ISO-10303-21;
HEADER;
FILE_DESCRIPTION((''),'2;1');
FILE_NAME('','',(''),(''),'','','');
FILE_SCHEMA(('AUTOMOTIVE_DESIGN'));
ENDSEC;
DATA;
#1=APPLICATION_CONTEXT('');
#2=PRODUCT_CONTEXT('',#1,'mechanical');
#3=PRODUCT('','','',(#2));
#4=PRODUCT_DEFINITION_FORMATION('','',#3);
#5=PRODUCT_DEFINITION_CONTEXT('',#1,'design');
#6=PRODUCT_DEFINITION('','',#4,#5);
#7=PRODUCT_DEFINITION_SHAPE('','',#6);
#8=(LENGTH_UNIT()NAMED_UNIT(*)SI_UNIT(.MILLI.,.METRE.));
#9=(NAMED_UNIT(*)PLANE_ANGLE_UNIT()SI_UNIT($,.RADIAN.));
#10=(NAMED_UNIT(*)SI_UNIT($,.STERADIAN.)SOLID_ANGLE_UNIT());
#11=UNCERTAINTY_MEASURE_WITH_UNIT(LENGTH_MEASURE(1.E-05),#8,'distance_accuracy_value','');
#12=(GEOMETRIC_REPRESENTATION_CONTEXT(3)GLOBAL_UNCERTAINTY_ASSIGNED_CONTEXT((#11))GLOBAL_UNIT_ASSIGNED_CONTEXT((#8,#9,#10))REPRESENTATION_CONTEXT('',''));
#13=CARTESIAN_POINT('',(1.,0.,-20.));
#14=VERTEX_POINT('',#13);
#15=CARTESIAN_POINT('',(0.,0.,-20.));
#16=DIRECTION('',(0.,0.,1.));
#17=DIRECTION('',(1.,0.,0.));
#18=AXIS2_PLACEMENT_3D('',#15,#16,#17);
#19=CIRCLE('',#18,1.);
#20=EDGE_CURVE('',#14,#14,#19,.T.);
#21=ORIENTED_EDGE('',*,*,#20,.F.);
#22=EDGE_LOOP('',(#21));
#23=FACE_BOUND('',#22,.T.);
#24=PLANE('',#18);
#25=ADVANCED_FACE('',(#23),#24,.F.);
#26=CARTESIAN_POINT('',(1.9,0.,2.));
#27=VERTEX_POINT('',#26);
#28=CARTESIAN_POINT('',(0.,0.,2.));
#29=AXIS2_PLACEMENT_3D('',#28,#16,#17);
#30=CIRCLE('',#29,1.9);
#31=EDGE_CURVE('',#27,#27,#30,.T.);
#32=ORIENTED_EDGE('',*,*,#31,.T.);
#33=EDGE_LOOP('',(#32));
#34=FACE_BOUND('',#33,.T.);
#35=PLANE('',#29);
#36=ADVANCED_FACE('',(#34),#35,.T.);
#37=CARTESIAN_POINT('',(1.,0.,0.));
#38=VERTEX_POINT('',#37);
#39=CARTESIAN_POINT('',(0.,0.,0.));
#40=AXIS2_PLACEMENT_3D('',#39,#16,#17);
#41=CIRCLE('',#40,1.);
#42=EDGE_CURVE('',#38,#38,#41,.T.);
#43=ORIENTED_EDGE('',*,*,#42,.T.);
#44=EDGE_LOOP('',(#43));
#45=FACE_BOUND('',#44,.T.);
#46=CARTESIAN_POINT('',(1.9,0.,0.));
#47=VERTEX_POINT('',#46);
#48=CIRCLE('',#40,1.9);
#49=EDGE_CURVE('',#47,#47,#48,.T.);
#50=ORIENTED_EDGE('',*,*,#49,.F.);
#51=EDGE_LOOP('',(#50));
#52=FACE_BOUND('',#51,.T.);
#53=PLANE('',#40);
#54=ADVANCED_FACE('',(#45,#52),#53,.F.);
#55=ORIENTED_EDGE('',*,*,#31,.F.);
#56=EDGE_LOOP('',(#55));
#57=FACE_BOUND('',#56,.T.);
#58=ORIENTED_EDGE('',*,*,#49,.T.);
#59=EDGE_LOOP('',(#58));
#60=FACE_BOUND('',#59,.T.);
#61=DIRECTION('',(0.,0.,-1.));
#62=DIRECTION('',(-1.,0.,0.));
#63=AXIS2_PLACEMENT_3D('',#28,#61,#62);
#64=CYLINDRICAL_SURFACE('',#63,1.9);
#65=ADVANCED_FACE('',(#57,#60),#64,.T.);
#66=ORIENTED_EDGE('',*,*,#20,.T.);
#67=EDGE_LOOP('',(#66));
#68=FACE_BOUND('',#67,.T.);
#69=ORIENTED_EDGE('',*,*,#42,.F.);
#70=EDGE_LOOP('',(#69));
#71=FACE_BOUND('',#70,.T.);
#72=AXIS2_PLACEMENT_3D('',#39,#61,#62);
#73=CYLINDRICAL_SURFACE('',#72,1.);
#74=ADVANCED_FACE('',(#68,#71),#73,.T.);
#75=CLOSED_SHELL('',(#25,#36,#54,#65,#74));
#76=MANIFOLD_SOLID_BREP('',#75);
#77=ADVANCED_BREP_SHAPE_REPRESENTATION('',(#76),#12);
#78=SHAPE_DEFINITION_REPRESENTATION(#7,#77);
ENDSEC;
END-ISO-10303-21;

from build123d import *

# Parameters (mm, degrees)
SHANK_NOMINAL_THREAD_ENVELOPE_START     = -20
SHANK_NOMINAL_THREAD_ENVELOPE_PROFILE_R = 1
SHANK_NOMINAL_THREAD_ENVELOPE_DEPTH     = 20
SOCKET_HEAD_ENVELOPE_PROFILE_R          = 1.9
SOCKET_HEAD_ENVELOPE_DEPTH              = 2


with BuildPart() as part:
    # Shank_nominal_thread_envelope_profile → Shank_nominal_thread_envelope (new body)
    with BuildSketch(Plane.XY.offset(SHANK_NOMINAL_THREAD_ENVELOPE_START)):
        Circle(SHANK_NOMINAL_THREAD_ENVELOPE_PROFILE_R)
    extrude(amount=SHANK_NOMINAL_THREAD_ENVELOPE_DEPTH)

    # Socket_head_envelope_profile → Socket_head_envelope (add)
    with BuildSketch(Plane.XY):
        Circle(SOCKET_HEAD_ENVELOPE_PROFILE_R)
    extrude(amount=SOCKET_HEAD_ENVELOPE_DEPTH)


solid = part.part
